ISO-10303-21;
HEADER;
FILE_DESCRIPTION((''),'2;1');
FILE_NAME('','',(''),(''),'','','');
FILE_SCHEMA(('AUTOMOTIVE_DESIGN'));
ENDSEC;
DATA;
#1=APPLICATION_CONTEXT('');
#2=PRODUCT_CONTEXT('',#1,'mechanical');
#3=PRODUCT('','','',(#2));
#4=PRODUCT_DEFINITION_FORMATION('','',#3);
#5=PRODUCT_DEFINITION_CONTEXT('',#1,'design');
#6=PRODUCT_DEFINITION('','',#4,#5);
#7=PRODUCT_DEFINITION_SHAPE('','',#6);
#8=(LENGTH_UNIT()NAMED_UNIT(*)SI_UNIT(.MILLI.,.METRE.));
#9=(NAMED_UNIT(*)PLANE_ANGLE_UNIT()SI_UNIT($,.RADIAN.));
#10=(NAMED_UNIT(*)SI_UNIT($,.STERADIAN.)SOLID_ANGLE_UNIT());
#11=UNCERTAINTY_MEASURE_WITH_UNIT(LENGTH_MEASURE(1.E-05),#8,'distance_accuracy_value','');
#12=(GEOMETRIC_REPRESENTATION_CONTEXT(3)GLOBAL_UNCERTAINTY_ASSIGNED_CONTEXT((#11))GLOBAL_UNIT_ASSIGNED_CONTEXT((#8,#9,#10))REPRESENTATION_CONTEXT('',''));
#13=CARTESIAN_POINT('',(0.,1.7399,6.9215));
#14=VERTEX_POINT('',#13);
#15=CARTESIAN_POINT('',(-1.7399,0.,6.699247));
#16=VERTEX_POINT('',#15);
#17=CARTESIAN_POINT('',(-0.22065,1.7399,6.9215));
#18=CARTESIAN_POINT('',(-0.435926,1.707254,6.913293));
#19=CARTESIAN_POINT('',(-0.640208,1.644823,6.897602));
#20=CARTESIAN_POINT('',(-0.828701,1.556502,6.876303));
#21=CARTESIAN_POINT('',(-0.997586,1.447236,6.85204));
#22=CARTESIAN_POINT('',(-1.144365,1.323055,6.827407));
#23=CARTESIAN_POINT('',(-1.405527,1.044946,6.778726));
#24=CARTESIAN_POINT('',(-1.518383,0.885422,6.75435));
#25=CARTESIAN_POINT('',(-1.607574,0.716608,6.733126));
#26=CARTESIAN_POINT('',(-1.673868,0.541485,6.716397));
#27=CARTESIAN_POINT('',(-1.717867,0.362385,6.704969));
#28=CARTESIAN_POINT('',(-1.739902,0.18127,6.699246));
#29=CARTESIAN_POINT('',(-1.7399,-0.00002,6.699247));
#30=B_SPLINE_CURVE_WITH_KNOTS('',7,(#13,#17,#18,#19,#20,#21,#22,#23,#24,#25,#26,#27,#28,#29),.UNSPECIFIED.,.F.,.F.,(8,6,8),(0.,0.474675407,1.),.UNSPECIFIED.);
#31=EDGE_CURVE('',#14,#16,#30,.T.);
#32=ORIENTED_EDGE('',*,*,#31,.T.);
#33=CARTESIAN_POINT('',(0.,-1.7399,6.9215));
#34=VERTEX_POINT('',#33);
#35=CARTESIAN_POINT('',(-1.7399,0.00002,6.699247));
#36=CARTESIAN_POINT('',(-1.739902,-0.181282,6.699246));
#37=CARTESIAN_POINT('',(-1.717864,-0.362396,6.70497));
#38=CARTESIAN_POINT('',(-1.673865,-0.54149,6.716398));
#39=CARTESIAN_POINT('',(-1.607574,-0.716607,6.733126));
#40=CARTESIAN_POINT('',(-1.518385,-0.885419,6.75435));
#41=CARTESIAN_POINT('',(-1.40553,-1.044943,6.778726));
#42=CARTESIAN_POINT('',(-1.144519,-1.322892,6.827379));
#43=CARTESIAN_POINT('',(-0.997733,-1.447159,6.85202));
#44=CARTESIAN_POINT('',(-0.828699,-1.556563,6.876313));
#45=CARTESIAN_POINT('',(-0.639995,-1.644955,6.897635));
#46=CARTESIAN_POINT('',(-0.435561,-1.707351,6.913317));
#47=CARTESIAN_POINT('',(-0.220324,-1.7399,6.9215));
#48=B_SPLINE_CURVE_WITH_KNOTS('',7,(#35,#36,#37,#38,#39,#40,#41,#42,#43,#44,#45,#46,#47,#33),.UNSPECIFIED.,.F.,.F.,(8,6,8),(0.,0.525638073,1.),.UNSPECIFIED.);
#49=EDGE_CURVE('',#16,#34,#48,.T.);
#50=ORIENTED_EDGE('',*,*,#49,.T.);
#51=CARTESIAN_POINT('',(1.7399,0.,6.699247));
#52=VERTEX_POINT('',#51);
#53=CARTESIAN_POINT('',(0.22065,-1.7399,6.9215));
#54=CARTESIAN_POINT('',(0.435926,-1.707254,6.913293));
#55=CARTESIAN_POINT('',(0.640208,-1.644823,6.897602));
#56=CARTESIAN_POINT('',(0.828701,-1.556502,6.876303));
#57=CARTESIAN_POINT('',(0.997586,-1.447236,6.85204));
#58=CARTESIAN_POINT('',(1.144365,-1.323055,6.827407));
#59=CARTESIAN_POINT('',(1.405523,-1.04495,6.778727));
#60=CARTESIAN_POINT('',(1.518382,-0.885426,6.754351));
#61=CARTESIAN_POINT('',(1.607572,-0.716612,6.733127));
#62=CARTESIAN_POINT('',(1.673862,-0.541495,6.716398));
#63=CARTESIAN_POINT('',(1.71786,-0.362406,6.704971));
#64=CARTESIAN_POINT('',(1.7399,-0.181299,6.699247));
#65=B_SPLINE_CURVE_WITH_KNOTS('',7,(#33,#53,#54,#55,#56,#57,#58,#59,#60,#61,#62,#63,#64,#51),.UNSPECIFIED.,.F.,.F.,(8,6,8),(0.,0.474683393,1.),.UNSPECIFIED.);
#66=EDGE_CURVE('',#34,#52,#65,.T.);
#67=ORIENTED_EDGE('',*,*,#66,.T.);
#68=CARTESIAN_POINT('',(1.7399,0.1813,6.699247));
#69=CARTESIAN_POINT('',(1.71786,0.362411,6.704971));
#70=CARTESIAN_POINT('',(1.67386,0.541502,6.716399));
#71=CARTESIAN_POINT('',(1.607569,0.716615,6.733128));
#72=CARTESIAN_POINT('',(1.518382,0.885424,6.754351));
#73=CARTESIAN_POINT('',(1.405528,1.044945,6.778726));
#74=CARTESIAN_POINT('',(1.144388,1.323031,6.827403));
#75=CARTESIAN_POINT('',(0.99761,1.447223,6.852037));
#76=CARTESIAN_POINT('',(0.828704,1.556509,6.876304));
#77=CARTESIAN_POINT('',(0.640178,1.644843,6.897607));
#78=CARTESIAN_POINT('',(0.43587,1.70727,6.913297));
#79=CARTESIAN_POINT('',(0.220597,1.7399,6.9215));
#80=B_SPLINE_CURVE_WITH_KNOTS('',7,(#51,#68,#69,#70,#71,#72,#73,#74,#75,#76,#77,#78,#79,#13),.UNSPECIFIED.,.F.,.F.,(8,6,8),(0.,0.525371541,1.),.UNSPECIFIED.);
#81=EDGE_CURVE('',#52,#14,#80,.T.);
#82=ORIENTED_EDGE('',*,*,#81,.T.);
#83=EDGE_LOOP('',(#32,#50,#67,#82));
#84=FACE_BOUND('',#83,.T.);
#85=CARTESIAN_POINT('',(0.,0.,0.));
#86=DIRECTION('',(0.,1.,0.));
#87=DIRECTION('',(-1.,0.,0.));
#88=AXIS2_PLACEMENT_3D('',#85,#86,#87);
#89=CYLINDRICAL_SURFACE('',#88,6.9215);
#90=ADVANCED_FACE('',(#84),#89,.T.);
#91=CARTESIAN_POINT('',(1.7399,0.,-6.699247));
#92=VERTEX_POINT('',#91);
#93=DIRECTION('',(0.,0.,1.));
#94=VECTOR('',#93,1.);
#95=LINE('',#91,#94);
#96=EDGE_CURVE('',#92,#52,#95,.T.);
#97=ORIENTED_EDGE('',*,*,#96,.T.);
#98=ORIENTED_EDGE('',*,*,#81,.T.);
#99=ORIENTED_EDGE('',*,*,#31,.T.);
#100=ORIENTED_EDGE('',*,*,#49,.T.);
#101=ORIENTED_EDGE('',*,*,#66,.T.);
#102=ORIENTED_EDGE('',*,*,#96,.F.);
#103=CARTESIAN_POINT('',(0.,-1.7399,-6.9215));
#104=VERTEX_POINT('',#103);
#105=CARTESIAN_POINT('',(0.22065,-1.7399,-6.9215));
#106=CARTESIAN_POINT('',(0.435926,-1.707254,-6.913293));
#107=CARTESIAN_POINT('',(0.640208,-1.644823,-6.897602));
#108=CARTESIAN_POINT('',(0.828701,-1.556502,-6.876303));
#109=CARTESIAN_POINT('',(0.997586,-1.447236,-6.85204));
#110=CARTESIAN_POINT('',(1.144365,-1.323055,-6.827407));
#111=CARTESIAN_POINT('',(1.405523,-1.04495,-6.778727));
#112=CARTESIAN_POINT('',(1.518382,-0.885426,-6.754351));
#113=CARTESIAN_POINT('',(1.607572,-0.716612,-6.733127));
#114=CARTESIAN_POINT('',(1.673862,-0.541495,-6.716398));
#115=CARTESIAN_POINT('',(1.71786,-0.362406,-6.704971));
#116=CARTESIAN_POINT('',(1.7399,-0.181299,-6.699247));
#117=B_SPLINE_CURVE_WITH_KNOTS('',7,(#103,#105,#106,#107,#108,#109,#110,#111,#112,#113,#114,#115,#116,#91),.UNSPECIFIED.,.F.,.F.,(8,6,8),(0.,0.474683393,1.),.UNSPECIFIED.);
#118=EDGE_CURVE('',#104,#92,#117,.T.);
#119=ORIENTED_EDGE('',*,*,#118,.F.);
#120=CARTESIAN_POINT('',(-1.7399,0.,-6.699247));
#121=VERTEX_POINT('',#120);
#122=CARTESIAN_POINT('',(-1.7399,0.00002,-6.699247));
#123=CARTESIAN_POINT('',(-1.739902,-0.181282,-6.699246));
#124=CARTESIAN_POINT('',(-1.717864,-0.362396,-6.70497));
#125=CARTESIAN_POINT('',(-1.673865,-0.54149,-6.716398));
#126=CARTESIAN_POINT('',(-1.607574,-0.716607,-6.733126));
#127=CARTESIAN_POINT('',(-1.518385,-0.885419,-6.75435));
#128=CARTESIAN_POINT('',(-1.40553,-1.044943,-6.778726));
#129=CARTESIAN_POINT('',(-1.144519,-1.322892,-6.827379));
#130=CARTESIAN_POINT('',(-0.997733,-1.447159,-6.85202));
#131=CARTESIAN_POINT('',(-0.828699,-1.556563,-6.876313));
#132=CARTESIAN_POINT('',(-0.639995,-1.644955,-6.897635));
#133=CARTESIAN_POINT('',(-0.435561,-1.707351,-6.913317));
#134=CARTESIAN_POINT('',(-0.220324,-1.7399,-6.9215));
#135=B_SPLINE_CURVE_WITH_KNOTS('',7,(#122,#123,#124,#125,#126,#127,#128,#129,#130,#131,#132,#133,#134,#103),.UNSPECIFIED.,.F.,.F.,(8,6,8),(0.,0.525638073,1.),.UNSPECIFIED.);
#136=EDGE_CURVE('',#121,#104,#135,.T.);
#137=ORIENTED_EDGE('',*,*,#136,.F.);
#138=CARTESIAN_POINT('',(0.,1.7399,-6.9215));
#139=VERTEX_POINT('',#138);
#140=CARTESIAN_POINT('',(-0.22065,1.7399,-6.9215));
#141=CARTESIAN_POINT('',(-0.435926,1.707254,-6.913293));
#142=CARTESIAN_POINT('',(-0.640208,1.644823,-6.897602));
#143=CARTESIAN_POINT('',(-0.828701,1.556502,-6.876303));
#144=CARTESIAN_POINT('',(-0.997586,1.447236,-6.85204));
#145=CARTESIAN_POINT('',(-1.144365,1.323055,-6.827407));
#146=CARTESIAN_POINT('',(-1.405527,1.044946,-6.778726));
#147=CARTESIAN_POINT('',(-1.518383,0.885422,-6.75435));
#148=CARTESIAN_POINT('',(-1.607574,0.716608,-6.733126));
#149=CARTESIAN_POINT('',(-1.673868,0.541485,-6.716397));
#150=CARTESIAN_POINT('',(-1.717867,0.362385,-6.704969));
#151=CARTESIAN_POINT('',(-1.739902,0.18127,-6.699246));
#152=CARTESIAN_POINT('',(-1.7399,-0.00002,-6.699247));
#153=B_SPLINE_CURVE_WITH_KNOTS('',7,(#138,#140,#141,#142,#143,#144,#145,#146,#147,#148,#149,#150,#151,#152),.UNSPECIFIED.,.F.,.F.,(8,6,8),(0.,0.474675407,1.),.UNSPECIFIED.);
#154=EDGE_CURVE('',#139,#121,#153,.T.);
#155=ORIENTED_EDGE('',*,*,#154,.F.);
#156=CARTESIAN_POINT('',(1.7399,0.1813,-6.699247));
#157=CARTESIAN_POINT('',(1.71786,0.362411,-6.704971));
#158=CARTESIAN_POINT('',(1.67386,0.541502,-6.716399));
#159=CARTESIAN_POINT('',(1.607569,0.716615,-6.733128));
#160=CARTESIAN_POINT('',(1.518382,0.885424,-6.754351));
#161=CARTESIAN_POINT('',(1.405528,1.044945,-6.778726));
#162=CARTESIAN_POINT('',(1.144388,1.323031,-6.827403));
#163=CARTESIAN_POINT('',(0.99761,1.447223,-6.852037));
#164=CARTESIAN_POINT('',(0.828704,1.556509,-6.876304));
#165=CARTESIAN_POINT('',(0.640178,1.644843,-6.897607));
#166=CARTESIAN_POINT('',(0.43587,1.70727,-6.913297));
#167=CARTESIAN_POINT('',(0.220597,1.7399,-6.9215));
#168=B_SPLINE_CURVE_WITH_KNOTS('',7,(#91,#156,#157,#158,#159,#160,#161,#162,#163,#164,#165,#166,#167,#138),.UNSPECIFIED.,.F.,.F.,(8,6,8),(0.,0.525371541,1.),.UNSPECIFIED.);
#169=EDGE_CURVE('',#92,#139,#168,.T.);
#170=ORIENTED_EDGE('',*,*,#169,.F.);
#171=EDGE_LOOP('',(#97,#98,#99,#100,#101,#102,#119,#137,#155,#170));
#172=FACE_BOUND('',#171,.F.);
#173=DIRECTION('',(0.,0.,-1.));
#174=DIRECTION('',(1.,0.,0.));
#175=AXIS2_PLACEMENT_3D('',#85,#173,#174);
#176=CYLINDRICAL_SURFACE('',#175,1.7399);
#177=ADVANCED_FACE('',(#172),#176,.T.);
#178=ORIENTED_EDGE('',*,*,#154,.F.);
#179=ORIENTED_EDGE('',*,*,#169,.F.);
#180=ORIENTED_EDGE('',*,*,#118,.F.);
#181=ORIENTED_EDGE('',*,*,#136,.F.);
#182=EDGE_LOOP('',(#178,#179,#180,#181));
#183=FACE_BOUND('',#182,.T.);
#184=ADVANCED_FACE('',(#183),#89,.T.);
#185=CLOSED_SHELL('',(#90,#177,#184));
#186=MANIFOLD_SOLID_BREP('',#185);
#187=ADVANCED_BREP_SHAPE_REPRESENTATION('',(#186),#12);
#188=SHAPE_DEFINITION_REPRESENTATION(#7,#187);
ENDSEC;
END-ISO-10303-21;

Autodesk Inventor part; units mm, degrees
ref_plane "YZ Plane" through (0, 0, 0) normal (1, 0, 0) x (0, 1, 0)
ref_plane "XZ Plane" through (0, 0, 0) normal (0, 1, 0) x (-1, 0, 0)
ref_plane "XY Plane" through (0, 0, 0) normal (0, 0, 1) x (1, 0, 0)
sketch "Sketch1" plane through (0, 0, 0) normal (0, 0, 1) x (1, 0, 0)
  point P0 (0, 0)
sketch "Sketch2" plane through (0, 0, 0) normal (0, 0, 1) x (1, 0, 0)
  circle A0 centre (0, 0) radius 1.7399
  dimension "d0" = 3.4798
extrude "Extrusion1" add sketch "Sketch2" along normal mid plane 13.843
sketch "Sketch3" plane through (0, 0, 0) normal (0, 1, 0) x (-1, 0, 0)
  circle A0 centre (0, 0) radius 6.9215
  circle A1 centre (0, 0) radius 7.1374
  line L0 (1.7399, 6.9215) -> (-1.7399, 6.9215) projected
  line L1 (-1.7399, -6.9215) -> (1.7399, -6.9215) projected
  dimension "d3" = 13.843
  dimension "d4" = 14.2748
extrude "Extrusion2" cut sketch "Sketch3" along normal through all both and the other way through all contours A0 L0 A1 L1 | L0 A1 | A0 L1 A1 L0 | L1 A1
properties part number "pistopin"
